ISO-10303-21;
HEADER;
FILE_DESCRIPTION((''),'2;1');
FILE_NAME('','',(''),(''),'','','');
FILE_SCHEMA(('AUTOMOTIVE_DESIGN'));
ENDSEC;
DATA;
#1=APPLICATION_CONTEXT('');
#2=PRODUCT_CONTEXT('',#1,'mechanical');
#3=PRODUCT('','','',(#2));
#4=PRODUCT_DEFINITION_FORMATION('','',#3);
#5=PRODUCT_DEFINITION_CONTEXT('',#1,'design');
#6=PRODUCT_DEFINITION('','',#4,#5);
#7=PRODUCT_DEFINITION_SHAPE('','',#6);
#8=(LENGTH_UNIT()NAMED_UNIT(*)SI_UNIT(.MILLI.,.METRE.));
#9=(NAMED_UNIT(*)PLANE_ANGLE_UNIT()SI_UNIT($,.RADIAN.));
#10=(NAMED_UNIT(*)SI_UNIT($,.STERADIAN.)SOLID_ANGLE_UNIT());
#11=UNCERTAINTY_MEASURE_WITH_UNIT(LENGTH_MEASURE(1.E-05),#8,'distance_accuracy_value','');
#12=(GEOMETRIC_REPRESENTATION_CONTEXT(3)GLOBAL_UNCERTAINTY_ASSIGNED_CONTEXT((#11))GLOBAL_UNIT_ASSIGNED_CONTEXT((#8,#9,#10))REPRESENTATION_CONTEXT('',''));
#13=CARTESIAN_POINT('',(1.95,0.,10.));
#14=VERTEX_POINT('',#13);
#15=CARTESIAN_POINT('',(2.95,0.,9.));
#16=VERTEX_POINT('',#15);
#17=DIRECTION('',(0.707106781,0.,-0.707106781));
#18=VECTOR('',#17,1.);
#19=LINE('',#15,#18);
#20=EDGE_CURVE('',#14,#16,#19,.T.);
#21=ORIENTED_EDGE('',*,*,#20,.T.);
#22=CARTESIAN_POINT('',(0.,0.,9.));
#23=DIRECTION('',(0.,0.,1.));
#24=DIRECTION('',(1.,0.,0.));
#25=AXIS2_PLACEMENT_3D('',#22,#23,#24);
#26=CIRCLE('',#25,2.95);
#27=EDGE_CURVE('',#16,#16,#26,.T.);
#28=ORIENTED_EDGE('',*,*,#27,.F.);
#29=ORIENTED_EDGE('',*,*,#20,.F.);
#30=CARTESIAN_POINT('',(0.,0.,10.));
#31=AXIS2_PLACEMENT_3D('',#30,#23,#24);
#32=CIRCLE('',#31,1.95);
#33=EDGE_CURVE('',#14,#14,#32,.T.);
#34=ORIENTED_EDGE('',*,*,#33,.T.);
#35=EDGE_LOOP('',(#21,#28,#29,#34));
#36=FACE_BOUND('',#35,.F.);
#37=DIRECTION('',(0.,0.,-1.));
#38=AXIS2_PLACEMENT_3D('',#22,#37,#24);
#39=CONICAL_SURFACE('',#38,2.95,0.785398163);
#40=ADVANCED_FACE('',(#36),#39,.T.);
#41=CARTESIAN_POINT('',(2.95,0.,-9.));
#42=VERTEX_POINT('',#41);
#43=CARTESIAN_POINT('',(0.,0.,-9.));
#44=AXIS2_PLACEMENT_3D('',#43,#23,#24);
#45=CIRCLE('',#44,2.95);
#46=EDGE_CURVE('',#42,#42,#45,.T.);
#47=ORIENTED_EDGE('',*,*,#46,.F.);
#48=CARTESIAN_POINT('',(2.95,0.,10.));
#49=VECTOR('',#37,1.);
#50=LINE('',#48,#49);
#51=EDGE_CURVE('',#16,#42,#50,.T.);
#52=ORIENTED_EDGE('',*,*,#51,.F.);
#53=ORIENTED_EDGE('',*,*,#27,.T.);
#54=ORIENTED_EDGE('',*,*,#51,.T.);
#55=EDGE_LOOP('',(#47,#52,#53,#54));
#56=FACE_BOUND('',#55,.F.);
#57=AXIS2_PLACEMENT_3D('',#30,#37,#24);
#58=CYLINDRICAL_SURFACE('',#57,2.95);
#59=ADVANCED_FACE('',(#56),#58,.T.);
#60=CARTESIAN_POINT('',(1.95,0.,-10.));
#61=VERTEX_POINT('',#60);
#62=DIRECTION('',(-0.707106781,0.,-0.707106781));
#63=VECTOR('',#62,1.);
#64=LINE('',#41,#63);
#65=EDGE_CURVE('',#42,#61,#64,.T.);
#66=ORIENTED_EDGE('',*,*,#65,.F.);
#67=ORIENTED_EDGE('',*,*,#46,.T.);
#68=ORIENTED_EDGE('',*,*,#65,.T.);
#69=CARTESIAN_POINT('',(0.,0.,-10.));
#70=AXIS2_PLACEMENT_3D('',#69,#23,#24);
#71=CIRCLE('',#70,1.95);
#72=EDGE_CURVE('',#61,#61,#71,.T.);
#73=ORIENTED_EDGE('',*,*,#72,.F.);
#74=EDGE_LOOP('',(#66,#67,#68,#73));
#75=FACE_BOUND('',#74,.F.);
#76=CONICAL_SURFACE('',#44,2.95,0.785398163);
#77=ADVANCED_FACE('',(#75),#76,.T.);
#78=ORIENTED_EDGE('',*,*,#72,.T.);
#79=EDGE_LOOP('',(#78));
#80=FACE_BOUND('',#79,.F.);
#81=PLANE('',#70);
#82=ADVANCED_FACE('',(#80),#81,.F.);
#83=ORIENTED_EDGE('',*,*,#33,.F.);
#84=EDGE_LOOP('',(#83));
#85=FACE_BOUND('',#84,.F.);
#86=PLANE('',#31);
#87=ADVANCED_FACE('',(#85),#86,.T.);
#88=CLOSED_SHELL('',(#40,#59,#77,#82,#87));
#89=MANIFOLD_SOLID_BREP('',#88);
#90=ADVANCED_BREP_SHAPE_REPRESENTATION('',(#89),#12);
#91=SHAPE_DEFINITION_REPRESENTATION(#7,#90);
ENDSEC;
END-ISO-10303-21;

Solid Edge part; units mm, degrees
sketch "Sketch1" plane through (0, 0, 0) normal (0, -1, 0) x (1, 0, 0)
  line L0 (0, 10) -> (2.95, 10)
  line L1 (2.95, 10) -> (2.95, -10)
  line L2 (2.95, -10) -> (0, -10)
  dimension "D1" = 20
revolve "RevolvedProtrusion1" add sketch "Sketch1" angle 360 about axis through (0, 0, -10) along (0, 0, 1)
chamfer "Chamfer1" distance 1 angle 45 2 edges at (-2.95, 0, 10) (-2.95, 0, -10)
properties material "Brass, yellow brass"
